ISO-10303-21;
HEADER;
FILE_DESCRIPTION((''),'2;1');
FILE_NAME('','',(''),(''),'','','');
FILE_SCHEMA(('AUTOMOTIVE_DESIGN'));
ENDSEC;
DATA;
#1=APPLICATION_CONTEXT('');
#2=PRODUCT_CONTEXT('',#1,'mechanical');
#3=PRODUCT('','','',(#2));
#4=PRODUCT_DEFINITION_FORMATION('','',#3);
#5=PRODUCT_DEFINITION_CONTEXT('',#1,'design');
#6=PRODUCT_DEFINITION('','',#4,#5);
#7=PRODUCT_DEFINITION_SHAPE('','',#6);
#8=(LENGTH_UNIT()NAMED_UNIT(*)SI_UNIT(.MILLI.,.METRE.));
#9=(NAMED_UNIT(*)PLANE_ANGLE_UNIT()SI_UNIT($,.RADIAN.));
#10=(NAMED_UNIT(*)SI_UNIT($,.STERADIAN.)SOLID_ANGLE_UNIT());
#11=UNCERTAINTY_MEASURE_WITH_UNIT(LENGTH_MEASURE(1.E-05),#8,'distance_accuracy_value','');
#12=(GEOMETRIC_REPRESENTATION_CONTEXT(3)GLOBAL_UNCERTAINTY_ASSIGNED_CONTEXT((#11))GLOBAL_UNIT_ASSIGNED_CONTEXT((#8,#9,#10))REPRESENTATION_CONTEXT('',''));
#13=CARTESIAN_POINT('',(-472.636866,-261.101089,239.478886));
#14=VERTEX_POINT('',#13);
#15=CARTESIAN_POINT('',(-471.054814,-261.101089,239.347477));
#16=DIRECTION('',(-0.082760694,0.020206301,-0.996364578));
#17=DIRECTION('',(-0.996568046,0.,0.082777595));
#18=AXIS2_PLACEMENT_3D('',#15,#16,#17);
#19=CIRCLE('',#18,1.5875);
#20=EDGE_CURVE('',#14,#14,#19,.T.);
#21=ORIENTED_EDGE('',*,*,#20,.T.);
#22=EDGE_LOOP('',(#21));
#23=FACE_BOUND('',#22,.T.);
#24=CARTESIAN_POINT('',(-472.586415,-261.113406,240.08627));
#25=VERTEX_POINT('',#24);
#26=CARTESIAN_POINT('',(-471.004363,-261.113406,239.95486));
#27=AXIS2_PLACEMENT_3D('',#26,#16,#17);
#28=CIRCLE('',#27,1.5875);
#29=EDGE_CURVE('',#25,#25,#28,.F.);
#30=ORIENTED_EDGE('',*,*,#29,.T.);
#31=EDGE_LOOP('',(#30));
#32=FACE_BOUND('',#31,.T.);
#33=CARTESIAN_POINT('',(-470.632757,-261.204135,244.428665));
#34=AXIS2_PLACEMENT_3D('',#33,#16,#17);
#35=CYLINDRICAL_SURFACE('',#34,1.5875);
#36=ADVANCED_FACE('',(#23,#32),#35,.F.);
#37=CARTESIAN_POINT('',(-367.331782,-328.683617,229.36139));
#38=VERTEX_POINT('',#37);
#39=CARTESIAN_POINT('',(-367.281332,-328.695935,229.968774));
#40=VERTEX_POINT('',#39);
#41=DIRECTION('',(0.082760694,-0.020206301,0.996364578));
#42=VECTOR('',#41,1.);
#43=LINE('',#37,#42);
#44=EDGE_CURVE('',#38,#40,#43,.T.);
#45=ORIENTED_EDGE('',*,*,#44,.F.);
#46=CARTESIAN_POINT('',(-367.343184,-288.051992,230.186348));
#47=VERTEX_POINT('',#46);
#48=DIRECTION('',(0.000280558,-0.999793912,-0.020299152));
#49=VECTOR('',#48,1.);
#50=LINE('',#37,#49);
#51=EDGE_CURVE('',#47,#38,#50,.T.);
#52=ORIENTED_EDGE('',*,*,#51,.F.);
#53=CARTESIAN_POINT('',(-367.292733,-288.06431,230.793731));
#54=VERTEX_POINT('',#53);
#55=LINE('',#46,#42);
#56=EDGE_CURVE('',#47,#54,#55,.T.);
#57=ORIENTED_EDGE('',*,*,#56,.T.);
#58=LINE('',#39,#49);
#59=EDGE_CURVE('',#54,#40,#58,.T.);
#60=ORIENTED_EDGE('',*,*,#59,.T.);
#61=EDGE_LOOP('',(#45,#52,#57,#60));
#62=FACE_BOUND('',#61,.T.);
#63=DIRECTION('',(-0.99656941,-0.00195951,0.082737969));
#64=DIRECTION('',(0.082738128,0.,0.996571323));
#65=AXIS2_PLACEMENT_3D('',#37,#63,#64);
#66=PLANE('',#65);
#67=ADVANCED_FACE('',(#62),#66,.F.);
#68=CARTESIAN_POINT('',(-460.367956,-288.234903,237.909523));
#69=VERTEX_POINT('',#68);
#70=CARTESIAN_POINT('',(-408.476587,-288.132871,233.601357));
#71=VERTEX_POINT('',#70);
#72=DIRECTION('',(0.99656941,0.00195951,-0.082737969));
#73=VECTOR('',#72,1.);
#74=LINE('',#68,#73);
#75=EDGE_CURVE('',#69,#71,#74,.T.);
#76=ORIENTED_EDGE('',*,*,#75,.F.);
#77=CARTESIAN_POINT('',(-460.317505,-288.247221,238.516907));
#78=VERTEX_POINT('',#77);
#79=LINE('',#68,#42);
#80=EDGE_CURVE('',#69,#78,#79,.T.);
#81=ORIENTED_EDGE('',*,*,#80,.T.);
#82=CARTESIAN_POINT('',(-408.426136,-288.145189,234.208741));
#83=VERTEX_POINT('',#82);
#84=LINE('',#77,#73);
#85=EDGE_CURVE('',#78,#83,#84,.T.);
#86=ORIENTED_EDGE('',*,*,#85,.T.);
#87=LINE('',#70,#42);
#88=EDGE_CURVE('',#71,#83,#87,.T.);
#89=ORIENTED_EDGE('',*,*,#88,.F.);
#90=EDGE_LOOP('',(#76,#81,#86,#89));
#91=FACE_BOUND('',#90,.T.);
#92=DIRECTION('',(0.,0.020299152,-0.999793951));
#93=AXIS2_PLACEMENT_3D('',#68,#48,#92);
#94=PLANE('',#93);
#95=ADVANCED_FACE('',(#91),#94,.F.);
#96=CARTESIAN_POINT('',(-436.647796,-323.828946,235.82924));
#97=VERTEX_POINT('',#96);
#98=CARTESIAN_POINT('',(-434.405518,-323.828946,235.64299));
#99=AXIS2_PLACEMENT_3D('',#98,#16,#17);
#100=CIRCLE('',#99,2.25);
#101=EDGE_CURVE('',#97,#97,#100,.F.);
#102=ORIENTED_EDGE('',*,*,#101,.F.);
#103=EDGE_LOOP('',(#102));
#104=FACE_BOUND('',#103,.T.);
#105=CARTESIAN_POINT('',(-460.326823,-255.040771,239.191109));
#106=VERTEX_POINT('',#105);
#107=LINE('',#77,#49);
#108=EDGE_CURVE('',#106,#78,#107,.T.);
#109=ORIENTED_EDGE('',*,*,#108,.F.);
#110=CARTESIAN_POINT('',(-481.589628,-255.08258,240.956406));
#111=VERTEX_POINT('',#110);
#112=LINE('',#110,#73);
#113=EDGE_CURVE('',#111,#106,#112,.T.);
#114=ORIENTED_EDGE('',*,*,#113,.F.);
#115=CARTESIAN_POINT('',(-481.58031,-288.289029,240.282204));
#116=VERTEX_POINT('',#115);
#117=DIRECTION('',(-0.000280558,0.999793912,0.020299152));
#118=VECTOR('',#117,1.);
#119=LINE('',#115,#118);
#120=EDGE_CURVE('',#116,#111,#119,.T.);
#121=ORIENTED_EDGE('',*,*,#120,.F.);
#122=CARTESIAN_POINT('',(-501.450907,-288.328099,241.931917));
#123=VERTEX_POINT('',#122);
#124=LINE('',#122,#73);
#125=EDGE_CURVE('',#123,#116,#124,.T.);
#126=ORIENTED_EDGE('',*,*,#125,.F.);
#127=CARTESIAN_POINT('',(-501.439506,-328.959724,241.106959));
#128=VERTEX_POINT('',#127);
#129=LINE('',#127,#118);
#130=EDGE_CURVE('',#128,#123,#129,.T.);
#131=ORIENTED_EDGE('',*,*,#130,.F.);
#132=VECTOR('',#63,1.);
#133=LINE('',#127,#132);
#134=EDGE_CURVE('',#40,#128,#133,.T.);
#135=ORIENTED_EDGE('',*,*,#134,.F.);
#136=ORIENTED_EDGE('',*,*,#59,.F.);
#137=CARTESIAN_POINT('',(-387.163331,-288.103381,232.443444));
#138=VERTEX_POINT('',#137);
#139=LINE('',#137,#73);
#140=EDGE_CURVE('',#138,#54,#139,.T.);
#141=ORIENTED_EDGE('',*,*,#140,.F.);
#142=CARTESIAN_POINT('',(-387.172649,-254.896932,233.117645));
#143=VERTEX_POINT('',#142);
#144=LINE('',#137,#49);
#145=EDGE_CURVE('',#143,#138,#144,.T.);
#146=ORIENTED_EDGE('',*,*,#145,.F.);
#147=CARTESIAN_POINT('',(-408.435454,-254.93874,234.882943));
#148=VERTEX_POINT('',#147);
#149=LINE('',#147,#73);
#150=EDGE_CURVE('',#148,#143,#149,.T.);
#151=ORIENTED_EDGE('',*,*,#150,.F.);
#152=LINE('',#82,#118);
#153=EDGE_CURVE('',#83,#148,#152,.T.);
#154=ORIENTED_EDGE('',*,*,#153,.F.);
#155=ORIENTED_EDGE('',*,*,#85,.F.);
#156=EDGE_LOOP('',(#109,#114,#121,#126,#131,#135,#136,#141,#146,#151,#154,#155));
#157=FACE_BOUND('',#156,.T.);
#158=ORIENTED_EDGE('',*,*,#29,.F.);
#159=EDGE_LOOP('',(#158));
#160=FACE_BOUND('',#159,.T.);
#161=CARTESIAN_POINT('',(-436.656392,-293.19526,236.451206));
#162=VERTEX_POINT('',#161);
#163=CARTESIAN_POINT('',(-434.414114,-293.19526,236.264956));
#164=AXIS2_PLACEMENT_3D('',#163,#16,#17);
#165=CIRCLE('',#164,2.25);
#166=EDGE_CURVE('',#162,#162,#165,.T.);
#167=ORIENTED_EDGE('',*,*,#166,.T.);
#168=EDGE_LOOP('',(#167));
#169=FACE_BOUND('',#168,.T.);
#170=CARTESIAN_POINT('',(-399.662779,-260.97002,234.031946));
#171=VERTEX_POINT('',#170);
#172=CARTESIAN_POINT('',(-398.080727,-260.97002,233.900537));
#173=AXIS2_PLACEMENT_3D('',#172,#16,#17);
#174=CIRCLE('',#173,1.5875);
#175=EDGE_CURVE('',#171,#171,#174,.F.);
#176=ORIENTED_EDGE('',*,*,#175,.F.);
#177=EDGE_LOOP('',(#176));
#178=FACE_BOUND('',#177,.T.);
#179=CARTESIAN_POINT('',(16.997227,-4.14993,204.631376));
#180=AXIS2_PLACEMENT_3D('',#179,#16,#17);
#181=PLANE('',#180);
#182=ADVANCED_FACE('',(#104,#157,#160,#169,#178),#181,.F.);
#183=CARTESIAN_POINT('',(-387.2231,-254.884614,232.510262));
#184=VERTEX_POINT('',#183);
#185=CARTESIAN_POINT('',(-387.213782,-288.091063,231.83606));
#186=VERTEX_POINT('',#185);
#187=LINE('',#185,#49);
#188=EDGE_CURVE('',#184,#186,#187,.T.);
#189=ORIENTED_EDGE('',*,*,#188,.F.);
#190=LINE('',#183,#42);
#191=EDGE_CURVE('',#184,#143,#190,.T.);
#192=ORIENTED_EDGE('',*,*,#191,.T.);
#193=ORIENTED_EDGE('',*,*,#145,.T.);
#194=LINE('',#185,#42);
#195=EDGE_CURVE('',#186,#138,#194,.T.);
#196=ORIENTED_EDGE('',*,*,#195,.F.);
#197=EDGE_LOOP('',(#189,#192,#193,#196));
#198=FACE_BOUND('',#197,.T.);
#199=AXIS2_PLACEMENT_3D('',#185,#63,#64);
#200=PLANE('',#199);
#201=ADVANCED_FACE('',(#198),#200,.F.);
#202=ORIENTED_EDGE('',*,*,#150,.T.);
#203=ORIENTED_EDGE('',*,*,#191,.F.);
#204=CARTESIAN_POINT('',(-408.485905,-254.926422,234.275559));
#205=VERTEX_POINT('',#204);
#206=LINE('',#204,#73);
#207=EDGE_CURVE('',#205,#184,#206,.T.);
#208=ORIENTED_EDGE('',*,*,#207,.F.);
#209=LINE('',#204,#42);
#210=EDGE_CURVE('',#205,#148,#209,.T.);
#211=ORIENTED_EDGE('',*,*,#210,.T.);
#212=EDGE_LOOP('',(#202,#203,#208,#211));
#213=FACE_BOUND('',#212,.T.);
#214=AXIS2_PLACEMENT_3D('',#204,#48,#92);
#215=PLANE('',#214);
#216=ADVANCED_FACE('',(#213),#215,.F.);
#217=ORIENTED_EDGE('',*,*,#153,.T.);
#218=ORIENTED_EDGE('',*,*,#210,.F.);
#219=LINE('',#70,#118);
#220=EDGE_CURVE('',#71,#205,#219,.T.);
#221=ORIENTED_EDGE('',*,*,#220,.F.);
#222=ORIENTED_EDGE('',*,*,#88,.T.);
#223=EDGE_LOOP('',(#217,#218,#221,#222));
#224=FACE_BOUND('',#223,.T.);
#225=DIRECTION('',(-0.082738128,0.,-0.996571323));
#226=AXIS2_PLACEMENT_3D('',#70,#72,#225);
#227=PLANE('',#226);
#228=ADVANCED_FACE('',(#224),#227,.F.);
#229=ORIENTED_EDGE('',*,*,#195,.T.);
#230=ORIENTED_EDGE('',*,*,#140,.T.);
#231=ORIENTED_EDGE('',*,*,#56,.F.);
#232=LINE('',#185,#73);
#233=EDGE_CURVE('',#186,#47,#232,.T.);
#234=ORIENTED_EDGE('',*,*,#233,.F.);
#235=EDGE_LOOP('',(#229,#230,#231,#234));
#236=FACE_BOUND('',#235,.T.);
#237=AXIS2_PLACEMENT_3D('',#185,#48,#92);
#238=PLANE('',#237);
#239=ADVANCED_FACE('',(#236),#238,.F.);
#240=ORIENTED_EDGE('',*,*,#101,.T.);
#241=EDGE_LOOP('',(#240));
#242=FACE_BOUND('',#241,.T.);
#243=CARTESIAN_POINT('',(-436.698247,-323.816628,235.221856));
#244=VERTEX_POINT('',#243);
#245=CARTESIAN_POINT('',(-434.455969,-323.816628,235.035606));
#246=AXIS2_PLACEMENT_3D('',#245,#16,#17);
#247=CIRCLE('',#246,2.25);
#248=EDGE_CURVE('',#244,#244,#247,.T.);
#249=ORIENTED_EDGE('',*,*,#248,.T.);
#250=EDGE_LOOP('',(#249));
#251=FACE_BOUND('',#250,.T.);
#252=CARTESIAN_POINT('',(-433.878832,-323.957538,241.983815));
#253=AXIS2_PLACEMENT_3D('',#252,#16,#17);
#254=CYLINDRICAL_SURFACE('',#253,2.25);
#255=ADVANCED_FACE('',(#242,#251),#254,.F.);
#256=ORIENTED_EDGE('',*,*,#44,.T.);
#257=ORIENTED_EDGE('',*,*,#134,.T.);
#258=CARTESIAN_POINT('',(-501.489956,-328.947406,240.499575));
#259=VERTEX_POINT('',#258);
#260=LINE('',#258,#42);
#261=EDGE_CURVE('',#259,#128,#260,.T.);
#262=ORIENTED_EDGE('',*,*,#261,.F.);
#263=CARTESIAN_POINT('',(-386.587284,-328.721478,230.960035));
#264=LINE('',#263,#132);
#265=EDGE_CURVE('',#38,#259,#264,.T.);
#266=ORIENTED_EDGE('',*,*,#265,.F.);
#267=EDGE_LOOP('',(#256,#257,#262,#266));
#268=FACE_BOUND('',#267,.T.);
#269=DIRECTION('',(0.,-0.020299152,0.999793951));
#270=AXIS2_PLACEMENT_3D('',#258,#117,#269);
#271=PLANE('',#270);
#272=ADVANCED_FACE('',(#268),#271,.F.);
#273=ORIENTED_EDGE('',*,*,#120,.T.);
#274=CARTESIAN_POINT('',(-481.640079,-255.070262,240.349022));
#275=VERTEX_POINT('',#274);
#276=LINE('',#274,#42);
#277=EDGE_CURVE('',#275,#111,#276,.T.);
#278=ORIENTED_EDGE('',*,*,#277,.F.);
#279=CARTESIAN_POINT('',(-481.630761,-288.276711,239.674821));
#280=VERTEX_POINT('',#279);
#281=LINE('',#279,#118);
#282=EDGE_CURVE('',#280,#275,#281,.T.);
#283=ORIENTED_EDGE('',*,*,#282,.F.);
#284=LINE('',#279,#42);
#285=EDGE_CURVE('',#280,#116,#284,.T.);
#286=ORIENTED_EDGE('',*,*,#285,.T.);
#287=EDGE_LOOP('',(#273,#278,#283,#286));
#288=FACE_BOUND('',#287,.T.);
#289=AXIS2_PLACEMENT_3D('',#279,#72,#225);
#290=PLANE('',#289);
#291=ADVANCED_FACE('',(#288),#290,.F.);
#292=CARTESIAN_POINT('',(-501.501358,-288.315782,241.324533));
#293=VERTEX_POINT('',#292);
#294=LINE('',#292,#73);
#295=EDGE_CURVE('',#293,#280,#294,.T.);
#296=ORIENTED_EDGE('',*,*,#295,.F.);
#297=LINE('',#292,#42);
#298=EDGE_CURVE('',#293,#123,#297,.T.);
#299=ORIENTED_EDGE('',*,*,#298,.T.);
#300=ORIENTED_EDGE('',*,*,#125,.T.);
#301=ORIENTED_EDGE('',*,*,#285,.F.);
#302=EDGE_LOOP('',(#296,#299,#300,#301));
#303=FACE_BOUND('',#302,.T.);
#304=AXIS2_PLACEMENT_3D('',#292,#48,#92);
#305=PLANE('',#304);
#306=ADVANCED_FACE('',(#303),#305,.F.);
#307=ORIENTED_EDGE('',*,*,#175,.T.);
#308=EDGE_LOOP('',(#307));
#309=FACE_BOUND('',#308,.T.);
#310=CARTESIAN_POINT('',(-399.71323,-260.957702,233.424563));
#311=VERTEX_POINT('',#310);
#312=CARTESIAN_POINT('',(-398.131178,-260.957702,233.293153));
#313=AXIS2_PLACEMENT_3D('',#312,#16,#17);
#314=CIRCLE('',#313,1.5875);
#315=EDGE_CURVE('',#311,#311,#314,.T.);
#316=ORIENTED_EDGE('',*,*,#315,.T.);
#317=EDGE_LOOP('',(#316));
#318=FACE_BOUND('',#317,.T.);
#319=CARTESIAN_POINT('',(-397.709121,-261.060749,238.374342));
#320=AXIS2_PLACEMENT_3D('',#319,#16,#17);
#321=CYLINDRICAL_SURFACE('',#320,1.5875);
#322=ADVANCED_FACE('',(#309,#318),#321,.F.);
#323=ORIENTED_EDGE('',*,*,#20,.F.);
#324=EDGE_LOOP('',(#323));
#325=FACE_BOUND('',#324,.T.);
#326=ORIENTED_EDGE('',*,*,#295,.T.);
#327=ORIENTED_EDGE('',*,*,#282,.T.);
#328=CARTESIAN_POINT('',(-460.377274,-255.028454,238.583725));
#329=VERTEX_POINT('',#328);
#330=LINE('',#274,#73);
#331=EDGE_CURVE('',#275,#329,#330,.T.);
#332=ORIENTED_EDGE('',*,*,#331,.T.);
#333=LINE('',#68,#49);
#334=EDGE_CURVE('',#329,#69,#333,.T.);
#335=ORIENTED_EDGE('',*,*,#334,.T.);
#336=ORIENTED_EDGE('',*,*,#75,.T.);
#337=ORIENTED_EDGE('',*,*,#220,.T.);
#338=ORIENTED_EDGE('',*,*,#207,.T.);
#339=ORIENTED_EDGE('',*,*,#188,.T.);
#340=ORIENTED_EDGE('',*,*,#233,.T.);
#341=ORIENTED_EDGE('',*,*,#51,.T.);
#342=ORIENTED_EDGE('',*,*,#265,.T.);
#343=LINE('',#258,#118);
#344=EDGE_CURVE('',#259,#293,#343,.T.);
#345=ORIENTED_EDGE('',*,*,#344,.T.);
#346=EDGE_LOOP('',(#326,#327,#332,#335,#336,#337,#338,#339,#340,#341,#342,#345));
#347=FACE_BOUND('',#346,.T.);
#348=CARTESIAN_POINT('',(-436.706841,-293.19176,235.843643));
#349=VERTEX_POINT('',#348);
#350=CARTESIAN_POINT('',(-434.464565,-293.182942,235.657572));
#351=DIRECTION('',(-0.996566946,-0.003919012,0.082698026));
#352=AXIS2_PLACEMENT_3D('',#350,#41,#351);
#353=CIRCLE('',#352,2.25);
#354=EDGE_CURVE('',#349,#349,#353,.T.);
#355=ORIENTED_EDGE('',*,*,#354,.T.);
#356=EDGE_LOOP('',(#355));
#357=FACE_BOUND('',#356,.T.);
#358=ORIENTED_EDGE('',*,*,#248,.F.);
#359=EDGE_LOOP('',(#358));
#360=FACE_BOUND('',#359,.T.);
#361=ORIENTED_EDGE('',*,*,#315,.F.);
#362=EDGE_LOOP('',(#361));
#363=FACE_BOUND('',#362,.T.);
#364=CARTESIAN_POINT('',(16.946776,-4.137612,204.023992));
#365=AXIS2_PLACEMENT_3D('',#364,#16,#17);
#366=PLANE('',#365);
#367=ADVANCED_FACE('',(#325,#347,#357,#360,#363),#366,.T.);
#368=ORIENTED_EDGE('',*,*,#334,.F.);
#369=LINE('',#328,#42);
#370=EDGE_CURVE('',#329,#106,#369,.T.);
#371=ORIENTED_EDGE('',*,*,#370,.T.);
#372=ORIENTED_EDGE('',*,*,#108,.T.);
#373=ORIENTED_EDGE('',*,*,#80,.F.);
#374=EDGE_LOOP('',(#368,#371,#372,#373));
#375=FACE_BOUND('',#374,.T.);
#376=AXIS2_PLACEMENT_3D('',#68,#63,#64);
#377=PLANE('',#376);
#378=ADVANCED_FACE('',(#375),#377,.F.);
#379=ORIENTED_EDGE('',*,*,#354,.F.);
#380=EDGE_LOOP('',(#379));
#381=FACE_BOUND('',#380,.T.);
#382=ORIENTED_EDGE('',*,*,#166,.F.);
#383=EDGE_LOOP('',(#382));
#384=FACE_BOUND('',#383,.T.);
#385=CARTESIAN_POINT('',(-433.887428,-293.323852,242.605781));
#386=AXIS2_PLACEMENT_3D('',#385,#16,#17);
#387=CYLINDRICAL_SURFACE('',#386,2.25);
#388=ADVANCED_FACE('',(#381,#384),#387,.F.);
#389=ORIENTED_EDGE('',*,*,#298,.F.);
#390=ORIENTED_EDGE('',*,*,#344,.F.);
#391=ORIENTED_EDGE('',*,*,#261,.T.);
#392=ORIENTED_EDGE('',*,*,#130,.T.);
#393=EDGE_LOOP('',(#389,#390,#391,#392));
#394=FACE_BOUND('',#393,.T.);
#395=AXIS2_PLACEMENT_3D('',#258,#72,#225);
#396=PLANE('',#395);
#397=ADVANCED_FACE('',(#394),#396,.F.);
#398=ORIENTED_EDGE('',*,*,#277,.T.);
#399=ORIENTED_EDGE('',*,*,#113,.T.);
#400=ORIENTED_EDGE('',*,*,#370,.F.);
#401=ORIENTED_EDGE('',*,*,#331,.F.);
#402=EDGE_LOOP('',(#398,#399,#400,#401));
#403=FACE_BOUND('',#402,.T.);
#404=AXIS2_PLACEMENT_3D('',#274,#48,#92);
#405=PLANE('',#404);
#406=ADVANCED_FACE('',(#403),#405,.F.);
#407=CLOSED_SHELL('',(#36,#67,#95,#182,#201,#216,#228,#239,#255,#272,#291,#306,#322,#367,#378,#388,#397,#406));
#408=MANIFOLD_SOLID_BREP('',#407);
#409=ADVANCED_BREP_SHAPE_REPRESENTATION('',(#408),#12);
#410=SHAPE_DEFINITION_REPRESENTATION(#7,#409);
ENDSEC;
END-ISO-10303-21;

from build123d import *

# Parameters (mm, degrees)
BOSS_EXTRUDE1_DEPTH = 0.6096
SKETCH5_R           = 2.25
CUT_EXTRUDE2_DEPTH  = 0.6096
SKETCH6_R           = 1.5875
CUT_EXTRUDE5_DEPTH  = 0.6096
SKETCH7_R           = 1.5875
CUT_EXTRUDE6_DEPTH  = 0.6096


with BuildPart() as part:
    # Sketch1 → Boss-Extrude1 (new body)
    with BuildSketch(Plane(origin=(16.997226787, -4.149929847, 204.631375634), x_dir=(0.9965694099183702, 0.001959509651517015, -0.0827379691367708), z_dir=(-0.08276069418699705, 0.02020630066742909, -0.9963645783100802))):
        Polygon((-405.631572024, 283.216979703), (-385.692572024, 283.216979703), (-385.692572024, 323.856979703), (-405.014358213, 323.856979703), (-432.414358217, 323.856979703), (-445.097076418, 323.856979703), (-465.359895626, 323.856979703), (-479.498480719, 323.856979703), (-500.373572024, 323.856979703), (-520.312572024, 323.856979703), (-520.312572024, 283.216979703), (-500.373572024, 283.216979703), (-500.373572024, 250.003685703), (-479.037572024, 250.003685703), (-479.037572024, 283.216979703), (-426.967572024, 283.216979703), (-426.967572024, 250.003685703), (-405.631572024, 250.003685703), align=None)
    extrude(amount=BOSS_EXTRUDE1_DEPTH)

    # Sketch5 → Cut-Extrude2 (cut)
    with BuildSketch(Plane(origin=(16.946775868, -4.137612086, 204.023991787), x_dir=(-0.9965694494101686, -0.0016780440853138524, 0.08274368054637986), z_dir=(-0.08276069418699686, 0.020206300667429084, -0.9963645783100801))):
        with Locations(Location((452.956635294, -318.984510283, 0), (0, 0, 0.096164523))):
            Circle(SKETCH5_R)
    cut_extrude2 = extrude(amount=-CUT_EXTRUDE2_DEPTH, mode=Mode.SUBTRACT)

    # Mirror1: Cut-Extrude2 across plane
    add(cut_extrude2.mirror(Plane(origin=(0.085159645, -303.474424262, -6.16154314), x_dir=(5.696257509048789e-06, -0.02029915071256956, 0.9997939509958544), z_dir=(0.00028055772663953236, -0.9997939116314238, -0.020299151511798782))), mode=Mode.SUBTRACT)

    # Sketch6 → Cut-Extrude5 (cut)
    with BuildSketch(Plane(origin=(16.946775868, -4.137612086, 204.023991787), x_dir=(-0.9965694494101686, -0.0016780440853136297, 0.08274368054637984), z_dir=(-0.08276069418699684, 0.02020630066742912, -0.9963645783100802))):
        with Locations(Location((416.50680125, -256.173836565, 0), (0, 0, 0.096164523))):
            Circle(SKETCH6_R)
    extrude(amount=-CUT_EXTRUDE5_DEPTH, mode=Mode.SUBTRACT)

    # Sketch7 → Cut-Extrude6 (cut)
    with BuildSketch(Plane(origin=(16.946775868, -4.137612086, 204.023991787), x_dir=(-0.9965694494101686, -0.0016780440853141857, 0.08274368054637986), z_dir=(-0.08276069418699686, 0.020206300667429056, -0.9963645783100801))):
        with Locations(Location((489.681466673, -256.194436956, 0), (0, 0, 0.096164523))):
            Circle(SKETCH7_R)
    extrude(amount=-CUT_EXTRUDE6_DEPTH, mode=Mode.SUBTRACT)


solid = part.part
